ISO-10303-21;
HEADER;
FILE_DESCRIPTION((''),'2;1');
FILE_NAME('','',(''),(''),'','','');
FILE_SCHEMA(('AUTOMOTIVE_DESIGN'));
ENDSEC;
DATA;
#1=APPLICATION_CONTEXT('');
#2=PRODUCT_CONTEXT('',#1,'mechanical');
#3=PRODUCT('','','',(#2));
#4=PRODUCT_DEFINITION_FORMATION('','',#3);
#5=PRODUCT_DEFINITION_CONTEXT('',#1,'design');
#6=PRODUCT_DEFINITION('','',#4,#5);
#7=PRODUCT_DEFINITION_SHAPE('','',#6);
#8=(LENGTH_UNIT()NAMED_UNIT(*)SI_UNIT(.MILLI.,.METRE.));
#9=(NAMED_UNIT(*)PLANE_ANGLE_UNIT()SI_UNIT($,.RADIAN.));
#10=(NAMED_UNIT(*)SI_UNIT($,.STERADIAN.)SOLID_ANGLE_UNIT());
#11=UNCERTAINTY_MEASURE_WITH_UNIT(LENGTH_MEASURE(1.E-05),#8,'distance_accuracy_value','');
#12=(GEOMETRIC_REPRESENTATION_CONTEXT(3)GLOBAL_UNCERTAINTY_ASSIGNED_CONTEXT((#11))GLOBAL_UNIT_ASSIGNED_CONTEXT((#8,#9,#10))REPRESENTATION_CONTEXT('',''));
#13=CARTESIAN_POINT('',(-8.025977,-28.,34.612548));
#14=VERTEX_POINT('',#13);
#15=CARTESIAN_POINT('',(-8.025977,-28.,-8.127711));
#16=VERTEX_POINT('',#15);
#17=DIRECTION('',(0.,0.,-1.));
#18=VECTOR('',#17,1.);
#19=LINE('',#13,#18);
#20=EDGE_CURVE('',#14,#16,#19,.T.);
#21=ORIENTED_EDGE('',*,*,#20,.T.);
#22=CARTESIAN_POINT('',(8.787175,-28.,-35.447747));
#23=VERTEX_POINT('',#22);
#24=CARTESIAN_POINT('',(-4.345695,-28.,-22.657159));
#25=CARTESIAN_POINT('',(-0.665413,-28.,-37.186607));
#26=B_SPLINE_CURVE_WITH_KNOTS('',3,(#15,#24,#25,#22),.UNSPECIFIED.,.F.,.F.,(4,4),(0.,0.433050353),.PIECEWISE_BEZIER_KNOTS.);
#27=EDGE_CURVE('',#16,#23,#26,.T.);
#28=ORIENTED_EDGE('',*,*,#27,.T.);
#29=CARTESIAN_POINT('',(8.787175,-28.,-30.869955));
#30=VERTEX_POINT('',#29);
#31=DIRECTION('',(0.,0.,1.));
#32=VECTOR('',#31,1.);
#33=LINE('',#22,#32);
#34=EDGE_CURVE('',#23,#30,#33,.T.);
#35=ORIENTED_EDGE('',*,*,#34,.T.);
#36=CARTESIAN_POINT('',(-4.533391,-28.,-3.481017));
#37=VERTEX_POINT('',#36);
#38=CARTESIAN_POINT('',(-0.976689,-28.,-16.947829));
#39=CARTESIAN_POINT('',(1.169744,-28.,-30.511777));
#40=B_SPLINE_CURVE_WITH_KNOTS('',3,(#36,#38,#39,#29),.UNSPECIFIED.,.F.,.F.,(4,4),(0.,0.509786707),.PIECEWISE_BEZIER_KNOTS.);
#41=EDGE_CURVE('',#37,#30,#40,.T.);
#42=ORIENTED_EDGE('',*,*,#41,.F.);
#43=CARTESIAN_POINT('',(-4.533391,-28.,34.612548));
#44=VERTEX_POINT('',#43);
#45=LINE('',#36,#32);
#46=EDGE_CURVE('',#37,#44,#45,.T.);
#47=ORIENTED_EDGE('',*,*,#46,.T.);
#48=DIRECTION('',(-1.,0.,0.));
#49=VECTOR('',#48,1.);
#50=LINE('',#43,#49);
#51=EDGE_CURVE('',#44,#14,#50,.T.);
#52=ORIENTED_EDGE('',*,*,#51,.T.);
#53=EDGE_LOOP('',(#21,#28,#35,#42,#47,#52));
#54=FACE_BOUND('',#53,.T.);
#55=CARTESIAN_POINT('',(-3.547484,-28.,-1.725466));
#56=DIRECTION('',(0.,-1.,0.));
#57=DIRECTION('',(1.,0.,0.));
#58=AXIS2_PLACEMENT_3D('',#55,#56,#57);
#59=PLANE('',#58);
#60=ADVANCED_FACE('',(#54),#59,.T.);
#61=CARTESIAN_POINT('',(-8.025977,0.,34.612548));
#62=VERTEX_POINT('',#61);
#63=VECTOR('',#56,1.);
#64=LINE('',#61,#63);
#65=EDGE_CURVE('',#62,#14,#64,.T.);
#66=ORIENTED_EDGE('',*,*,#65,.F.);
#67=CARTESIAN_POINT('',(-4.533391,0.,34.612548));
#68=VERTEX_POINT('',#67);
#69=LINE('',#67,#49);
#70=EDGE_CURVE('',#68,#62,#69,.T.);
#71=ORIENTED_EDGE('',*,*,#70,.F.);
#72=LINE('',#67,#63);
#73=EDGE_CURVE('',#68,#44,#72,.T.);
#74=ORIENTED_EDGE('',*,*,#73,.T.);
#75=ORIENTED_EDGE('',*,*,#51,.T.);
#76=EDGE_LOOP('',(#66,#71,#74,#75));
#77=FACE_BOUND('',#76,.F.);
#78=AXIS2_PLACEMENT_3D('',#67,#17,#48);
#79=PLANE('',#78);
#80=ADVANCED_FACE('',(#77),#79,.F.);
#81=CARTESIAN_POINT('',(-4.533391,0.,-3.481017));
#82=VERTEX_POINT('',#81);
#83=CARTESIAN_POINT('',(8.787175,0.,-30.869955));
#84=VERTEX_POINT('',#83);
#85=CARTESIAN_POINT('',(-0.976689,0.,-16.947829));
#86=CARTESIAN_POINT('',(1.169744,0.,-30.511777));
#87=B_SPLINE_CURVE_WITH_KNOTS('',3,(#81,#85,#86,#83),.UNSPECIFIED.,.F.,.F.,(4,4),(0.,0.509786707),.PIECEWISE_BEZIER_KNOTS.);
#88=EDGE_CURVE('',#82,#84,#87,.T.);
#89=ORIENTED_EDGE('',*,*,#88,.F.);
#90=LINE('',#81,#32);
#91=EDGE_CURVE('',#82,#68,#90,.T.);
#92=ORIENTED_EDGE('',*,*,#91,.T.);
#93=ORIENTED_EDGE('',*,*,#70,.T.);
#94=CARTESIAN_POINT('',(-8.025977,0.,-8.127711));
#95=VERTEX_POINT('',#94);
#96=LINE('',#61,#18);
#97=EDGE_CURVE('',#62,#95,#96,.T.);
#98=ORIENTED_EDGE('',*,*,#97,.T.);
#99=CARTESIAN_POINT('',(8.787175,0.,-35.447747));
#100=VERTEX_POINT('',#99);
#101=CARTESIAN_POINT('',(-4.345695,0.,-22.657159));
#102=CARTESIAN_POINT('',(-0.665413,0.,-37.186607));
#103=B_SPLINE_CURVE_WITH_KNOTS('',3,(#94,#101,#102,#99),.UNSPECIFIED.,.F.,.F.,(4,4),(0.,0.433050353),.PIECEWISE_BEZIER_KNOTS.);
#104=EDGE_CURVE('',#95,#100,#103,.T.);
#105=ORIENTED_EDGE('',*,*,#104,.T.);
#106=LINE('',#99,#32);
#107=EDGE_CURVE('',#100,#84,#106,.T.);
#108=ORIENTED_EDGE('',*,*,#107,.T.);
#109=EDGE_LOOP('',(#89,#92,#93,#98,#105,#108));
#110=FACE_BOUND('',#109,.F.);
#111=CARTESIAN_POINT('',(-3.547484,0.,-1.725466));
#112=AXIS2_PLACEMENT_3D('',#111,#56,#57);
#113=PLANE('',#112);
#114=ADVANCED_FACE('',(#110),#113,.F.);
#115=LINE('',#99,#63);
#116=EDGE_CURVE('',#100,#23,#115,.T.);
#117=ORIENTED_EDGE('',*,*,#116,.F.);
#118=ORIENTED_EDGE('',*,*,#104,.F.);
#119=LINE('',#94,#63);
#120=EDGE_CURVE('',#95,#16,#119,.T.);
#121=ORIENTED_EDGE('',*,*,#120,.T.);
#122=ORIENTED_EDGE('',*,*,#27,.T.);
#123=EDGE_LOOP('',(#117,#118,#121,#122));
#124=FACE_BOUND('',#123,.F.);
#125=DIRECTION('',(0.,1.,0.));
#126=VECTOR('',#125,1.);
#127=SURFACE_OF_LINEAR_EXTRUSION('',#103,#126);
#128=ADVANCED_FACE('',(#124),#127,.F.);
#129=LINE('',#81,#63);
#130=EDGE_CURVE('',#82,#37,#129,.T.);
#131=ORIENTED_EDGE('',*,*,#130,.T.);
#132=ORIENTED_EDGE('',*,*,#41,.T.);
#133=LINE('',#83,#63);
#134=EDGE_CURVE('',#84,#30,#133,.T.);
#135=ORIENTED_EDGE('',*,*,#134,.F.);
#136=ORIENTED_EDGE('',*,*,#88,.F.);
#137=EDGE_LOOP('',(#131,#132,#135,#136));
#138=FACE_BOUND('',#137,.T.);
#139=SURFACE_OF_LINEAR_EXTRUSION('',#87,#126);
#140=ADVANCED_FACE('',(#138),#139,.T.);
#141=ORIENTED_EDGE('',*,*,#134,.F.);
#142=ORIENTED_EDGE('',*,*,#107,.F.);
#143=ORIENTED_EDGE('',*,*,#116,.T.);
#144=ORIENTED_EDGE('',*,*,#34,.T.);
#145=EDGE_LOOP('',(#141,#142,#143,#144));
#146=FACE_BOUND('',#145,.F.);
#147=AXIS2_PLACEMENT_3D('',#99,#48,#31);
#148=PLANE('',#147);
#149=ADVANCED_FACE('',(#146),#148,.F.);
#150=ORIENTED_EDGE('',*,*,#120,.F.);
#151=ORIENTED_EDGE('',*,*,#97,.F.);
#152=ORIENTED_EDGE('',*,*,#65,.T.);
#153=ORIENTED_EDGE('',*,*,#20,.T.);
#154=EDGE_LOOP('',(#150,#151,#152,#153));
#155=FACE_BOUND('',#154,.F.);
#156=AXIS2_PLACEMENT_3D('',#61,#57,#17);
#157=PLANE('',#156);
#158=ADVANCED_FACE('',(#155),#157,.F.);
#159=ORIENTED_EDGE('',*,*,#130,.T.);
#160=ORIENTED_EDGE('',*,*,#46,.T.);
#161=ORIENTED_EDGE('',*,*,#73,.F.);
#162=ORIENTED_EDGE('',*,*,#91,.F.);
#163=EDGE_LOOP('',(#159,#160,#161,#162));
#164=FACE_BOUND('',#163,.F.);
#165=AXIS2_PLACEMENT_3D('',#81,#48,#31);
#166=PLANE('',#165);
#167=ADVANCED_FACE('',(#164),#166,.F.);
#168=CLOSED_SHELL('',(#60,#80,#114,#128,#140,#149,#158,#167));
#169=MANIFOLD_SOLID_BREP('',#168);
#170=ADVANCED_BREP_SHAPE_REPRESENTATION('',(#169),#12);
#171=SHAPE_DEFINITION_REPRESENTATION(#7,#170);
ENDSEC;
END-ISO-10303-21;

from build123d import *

# Parameters (mm, degrees)
F1_DEPTH = 28


with BuildPart() as f1:
    # F0 (on Front) → F1 (new body)
    with BuildSketch(Plane.XZ):
        with BuildLine():
            Line((-4.5333905146, 34.6125476062), (-8.0259768292, 34.6125476062))
            Line((-8.0259768292, 34.6125476062), (-8.0259768292, -3.4810174257))
            Line((-8.0259768292, -3.4810174257), (-8.0259768292, -8.127710782))
            add(Edge.make_bspline(
                [(-8.0259768292, -8.127710782), (-4.3456946952, -22.6571589788), (-0.6654125612, -37.1866071756), (8.7871747091, -35.4477465153)],
                knots=[0, 0, 0, 0, 0.4330503534, 0.4330503534, 0.4330503534, 0.4330503534], degree=3))
            Line((8.7871747091, -35.4477465153), (8.7871747091, -30.869955197))
            add(Edge.make_bspline(
                [(-4.5333905146, -3.4810174257), (-0.9766891541, -16.9478294021), (1.169743888, -30.5117774218), (8.7871747091, -30.869955197)],
                knots=[0, 0, 0, 0, 0.5097867068, 0.5097867068, 0.5097867068, 0.5097867068], degree=3))
            Line((-4.5333905146, -3.4810174257), (-4.5333905146, 34.6125476062))
        make_face()
    extrude(amount=F1_DEPTH)


solid = f1.part
